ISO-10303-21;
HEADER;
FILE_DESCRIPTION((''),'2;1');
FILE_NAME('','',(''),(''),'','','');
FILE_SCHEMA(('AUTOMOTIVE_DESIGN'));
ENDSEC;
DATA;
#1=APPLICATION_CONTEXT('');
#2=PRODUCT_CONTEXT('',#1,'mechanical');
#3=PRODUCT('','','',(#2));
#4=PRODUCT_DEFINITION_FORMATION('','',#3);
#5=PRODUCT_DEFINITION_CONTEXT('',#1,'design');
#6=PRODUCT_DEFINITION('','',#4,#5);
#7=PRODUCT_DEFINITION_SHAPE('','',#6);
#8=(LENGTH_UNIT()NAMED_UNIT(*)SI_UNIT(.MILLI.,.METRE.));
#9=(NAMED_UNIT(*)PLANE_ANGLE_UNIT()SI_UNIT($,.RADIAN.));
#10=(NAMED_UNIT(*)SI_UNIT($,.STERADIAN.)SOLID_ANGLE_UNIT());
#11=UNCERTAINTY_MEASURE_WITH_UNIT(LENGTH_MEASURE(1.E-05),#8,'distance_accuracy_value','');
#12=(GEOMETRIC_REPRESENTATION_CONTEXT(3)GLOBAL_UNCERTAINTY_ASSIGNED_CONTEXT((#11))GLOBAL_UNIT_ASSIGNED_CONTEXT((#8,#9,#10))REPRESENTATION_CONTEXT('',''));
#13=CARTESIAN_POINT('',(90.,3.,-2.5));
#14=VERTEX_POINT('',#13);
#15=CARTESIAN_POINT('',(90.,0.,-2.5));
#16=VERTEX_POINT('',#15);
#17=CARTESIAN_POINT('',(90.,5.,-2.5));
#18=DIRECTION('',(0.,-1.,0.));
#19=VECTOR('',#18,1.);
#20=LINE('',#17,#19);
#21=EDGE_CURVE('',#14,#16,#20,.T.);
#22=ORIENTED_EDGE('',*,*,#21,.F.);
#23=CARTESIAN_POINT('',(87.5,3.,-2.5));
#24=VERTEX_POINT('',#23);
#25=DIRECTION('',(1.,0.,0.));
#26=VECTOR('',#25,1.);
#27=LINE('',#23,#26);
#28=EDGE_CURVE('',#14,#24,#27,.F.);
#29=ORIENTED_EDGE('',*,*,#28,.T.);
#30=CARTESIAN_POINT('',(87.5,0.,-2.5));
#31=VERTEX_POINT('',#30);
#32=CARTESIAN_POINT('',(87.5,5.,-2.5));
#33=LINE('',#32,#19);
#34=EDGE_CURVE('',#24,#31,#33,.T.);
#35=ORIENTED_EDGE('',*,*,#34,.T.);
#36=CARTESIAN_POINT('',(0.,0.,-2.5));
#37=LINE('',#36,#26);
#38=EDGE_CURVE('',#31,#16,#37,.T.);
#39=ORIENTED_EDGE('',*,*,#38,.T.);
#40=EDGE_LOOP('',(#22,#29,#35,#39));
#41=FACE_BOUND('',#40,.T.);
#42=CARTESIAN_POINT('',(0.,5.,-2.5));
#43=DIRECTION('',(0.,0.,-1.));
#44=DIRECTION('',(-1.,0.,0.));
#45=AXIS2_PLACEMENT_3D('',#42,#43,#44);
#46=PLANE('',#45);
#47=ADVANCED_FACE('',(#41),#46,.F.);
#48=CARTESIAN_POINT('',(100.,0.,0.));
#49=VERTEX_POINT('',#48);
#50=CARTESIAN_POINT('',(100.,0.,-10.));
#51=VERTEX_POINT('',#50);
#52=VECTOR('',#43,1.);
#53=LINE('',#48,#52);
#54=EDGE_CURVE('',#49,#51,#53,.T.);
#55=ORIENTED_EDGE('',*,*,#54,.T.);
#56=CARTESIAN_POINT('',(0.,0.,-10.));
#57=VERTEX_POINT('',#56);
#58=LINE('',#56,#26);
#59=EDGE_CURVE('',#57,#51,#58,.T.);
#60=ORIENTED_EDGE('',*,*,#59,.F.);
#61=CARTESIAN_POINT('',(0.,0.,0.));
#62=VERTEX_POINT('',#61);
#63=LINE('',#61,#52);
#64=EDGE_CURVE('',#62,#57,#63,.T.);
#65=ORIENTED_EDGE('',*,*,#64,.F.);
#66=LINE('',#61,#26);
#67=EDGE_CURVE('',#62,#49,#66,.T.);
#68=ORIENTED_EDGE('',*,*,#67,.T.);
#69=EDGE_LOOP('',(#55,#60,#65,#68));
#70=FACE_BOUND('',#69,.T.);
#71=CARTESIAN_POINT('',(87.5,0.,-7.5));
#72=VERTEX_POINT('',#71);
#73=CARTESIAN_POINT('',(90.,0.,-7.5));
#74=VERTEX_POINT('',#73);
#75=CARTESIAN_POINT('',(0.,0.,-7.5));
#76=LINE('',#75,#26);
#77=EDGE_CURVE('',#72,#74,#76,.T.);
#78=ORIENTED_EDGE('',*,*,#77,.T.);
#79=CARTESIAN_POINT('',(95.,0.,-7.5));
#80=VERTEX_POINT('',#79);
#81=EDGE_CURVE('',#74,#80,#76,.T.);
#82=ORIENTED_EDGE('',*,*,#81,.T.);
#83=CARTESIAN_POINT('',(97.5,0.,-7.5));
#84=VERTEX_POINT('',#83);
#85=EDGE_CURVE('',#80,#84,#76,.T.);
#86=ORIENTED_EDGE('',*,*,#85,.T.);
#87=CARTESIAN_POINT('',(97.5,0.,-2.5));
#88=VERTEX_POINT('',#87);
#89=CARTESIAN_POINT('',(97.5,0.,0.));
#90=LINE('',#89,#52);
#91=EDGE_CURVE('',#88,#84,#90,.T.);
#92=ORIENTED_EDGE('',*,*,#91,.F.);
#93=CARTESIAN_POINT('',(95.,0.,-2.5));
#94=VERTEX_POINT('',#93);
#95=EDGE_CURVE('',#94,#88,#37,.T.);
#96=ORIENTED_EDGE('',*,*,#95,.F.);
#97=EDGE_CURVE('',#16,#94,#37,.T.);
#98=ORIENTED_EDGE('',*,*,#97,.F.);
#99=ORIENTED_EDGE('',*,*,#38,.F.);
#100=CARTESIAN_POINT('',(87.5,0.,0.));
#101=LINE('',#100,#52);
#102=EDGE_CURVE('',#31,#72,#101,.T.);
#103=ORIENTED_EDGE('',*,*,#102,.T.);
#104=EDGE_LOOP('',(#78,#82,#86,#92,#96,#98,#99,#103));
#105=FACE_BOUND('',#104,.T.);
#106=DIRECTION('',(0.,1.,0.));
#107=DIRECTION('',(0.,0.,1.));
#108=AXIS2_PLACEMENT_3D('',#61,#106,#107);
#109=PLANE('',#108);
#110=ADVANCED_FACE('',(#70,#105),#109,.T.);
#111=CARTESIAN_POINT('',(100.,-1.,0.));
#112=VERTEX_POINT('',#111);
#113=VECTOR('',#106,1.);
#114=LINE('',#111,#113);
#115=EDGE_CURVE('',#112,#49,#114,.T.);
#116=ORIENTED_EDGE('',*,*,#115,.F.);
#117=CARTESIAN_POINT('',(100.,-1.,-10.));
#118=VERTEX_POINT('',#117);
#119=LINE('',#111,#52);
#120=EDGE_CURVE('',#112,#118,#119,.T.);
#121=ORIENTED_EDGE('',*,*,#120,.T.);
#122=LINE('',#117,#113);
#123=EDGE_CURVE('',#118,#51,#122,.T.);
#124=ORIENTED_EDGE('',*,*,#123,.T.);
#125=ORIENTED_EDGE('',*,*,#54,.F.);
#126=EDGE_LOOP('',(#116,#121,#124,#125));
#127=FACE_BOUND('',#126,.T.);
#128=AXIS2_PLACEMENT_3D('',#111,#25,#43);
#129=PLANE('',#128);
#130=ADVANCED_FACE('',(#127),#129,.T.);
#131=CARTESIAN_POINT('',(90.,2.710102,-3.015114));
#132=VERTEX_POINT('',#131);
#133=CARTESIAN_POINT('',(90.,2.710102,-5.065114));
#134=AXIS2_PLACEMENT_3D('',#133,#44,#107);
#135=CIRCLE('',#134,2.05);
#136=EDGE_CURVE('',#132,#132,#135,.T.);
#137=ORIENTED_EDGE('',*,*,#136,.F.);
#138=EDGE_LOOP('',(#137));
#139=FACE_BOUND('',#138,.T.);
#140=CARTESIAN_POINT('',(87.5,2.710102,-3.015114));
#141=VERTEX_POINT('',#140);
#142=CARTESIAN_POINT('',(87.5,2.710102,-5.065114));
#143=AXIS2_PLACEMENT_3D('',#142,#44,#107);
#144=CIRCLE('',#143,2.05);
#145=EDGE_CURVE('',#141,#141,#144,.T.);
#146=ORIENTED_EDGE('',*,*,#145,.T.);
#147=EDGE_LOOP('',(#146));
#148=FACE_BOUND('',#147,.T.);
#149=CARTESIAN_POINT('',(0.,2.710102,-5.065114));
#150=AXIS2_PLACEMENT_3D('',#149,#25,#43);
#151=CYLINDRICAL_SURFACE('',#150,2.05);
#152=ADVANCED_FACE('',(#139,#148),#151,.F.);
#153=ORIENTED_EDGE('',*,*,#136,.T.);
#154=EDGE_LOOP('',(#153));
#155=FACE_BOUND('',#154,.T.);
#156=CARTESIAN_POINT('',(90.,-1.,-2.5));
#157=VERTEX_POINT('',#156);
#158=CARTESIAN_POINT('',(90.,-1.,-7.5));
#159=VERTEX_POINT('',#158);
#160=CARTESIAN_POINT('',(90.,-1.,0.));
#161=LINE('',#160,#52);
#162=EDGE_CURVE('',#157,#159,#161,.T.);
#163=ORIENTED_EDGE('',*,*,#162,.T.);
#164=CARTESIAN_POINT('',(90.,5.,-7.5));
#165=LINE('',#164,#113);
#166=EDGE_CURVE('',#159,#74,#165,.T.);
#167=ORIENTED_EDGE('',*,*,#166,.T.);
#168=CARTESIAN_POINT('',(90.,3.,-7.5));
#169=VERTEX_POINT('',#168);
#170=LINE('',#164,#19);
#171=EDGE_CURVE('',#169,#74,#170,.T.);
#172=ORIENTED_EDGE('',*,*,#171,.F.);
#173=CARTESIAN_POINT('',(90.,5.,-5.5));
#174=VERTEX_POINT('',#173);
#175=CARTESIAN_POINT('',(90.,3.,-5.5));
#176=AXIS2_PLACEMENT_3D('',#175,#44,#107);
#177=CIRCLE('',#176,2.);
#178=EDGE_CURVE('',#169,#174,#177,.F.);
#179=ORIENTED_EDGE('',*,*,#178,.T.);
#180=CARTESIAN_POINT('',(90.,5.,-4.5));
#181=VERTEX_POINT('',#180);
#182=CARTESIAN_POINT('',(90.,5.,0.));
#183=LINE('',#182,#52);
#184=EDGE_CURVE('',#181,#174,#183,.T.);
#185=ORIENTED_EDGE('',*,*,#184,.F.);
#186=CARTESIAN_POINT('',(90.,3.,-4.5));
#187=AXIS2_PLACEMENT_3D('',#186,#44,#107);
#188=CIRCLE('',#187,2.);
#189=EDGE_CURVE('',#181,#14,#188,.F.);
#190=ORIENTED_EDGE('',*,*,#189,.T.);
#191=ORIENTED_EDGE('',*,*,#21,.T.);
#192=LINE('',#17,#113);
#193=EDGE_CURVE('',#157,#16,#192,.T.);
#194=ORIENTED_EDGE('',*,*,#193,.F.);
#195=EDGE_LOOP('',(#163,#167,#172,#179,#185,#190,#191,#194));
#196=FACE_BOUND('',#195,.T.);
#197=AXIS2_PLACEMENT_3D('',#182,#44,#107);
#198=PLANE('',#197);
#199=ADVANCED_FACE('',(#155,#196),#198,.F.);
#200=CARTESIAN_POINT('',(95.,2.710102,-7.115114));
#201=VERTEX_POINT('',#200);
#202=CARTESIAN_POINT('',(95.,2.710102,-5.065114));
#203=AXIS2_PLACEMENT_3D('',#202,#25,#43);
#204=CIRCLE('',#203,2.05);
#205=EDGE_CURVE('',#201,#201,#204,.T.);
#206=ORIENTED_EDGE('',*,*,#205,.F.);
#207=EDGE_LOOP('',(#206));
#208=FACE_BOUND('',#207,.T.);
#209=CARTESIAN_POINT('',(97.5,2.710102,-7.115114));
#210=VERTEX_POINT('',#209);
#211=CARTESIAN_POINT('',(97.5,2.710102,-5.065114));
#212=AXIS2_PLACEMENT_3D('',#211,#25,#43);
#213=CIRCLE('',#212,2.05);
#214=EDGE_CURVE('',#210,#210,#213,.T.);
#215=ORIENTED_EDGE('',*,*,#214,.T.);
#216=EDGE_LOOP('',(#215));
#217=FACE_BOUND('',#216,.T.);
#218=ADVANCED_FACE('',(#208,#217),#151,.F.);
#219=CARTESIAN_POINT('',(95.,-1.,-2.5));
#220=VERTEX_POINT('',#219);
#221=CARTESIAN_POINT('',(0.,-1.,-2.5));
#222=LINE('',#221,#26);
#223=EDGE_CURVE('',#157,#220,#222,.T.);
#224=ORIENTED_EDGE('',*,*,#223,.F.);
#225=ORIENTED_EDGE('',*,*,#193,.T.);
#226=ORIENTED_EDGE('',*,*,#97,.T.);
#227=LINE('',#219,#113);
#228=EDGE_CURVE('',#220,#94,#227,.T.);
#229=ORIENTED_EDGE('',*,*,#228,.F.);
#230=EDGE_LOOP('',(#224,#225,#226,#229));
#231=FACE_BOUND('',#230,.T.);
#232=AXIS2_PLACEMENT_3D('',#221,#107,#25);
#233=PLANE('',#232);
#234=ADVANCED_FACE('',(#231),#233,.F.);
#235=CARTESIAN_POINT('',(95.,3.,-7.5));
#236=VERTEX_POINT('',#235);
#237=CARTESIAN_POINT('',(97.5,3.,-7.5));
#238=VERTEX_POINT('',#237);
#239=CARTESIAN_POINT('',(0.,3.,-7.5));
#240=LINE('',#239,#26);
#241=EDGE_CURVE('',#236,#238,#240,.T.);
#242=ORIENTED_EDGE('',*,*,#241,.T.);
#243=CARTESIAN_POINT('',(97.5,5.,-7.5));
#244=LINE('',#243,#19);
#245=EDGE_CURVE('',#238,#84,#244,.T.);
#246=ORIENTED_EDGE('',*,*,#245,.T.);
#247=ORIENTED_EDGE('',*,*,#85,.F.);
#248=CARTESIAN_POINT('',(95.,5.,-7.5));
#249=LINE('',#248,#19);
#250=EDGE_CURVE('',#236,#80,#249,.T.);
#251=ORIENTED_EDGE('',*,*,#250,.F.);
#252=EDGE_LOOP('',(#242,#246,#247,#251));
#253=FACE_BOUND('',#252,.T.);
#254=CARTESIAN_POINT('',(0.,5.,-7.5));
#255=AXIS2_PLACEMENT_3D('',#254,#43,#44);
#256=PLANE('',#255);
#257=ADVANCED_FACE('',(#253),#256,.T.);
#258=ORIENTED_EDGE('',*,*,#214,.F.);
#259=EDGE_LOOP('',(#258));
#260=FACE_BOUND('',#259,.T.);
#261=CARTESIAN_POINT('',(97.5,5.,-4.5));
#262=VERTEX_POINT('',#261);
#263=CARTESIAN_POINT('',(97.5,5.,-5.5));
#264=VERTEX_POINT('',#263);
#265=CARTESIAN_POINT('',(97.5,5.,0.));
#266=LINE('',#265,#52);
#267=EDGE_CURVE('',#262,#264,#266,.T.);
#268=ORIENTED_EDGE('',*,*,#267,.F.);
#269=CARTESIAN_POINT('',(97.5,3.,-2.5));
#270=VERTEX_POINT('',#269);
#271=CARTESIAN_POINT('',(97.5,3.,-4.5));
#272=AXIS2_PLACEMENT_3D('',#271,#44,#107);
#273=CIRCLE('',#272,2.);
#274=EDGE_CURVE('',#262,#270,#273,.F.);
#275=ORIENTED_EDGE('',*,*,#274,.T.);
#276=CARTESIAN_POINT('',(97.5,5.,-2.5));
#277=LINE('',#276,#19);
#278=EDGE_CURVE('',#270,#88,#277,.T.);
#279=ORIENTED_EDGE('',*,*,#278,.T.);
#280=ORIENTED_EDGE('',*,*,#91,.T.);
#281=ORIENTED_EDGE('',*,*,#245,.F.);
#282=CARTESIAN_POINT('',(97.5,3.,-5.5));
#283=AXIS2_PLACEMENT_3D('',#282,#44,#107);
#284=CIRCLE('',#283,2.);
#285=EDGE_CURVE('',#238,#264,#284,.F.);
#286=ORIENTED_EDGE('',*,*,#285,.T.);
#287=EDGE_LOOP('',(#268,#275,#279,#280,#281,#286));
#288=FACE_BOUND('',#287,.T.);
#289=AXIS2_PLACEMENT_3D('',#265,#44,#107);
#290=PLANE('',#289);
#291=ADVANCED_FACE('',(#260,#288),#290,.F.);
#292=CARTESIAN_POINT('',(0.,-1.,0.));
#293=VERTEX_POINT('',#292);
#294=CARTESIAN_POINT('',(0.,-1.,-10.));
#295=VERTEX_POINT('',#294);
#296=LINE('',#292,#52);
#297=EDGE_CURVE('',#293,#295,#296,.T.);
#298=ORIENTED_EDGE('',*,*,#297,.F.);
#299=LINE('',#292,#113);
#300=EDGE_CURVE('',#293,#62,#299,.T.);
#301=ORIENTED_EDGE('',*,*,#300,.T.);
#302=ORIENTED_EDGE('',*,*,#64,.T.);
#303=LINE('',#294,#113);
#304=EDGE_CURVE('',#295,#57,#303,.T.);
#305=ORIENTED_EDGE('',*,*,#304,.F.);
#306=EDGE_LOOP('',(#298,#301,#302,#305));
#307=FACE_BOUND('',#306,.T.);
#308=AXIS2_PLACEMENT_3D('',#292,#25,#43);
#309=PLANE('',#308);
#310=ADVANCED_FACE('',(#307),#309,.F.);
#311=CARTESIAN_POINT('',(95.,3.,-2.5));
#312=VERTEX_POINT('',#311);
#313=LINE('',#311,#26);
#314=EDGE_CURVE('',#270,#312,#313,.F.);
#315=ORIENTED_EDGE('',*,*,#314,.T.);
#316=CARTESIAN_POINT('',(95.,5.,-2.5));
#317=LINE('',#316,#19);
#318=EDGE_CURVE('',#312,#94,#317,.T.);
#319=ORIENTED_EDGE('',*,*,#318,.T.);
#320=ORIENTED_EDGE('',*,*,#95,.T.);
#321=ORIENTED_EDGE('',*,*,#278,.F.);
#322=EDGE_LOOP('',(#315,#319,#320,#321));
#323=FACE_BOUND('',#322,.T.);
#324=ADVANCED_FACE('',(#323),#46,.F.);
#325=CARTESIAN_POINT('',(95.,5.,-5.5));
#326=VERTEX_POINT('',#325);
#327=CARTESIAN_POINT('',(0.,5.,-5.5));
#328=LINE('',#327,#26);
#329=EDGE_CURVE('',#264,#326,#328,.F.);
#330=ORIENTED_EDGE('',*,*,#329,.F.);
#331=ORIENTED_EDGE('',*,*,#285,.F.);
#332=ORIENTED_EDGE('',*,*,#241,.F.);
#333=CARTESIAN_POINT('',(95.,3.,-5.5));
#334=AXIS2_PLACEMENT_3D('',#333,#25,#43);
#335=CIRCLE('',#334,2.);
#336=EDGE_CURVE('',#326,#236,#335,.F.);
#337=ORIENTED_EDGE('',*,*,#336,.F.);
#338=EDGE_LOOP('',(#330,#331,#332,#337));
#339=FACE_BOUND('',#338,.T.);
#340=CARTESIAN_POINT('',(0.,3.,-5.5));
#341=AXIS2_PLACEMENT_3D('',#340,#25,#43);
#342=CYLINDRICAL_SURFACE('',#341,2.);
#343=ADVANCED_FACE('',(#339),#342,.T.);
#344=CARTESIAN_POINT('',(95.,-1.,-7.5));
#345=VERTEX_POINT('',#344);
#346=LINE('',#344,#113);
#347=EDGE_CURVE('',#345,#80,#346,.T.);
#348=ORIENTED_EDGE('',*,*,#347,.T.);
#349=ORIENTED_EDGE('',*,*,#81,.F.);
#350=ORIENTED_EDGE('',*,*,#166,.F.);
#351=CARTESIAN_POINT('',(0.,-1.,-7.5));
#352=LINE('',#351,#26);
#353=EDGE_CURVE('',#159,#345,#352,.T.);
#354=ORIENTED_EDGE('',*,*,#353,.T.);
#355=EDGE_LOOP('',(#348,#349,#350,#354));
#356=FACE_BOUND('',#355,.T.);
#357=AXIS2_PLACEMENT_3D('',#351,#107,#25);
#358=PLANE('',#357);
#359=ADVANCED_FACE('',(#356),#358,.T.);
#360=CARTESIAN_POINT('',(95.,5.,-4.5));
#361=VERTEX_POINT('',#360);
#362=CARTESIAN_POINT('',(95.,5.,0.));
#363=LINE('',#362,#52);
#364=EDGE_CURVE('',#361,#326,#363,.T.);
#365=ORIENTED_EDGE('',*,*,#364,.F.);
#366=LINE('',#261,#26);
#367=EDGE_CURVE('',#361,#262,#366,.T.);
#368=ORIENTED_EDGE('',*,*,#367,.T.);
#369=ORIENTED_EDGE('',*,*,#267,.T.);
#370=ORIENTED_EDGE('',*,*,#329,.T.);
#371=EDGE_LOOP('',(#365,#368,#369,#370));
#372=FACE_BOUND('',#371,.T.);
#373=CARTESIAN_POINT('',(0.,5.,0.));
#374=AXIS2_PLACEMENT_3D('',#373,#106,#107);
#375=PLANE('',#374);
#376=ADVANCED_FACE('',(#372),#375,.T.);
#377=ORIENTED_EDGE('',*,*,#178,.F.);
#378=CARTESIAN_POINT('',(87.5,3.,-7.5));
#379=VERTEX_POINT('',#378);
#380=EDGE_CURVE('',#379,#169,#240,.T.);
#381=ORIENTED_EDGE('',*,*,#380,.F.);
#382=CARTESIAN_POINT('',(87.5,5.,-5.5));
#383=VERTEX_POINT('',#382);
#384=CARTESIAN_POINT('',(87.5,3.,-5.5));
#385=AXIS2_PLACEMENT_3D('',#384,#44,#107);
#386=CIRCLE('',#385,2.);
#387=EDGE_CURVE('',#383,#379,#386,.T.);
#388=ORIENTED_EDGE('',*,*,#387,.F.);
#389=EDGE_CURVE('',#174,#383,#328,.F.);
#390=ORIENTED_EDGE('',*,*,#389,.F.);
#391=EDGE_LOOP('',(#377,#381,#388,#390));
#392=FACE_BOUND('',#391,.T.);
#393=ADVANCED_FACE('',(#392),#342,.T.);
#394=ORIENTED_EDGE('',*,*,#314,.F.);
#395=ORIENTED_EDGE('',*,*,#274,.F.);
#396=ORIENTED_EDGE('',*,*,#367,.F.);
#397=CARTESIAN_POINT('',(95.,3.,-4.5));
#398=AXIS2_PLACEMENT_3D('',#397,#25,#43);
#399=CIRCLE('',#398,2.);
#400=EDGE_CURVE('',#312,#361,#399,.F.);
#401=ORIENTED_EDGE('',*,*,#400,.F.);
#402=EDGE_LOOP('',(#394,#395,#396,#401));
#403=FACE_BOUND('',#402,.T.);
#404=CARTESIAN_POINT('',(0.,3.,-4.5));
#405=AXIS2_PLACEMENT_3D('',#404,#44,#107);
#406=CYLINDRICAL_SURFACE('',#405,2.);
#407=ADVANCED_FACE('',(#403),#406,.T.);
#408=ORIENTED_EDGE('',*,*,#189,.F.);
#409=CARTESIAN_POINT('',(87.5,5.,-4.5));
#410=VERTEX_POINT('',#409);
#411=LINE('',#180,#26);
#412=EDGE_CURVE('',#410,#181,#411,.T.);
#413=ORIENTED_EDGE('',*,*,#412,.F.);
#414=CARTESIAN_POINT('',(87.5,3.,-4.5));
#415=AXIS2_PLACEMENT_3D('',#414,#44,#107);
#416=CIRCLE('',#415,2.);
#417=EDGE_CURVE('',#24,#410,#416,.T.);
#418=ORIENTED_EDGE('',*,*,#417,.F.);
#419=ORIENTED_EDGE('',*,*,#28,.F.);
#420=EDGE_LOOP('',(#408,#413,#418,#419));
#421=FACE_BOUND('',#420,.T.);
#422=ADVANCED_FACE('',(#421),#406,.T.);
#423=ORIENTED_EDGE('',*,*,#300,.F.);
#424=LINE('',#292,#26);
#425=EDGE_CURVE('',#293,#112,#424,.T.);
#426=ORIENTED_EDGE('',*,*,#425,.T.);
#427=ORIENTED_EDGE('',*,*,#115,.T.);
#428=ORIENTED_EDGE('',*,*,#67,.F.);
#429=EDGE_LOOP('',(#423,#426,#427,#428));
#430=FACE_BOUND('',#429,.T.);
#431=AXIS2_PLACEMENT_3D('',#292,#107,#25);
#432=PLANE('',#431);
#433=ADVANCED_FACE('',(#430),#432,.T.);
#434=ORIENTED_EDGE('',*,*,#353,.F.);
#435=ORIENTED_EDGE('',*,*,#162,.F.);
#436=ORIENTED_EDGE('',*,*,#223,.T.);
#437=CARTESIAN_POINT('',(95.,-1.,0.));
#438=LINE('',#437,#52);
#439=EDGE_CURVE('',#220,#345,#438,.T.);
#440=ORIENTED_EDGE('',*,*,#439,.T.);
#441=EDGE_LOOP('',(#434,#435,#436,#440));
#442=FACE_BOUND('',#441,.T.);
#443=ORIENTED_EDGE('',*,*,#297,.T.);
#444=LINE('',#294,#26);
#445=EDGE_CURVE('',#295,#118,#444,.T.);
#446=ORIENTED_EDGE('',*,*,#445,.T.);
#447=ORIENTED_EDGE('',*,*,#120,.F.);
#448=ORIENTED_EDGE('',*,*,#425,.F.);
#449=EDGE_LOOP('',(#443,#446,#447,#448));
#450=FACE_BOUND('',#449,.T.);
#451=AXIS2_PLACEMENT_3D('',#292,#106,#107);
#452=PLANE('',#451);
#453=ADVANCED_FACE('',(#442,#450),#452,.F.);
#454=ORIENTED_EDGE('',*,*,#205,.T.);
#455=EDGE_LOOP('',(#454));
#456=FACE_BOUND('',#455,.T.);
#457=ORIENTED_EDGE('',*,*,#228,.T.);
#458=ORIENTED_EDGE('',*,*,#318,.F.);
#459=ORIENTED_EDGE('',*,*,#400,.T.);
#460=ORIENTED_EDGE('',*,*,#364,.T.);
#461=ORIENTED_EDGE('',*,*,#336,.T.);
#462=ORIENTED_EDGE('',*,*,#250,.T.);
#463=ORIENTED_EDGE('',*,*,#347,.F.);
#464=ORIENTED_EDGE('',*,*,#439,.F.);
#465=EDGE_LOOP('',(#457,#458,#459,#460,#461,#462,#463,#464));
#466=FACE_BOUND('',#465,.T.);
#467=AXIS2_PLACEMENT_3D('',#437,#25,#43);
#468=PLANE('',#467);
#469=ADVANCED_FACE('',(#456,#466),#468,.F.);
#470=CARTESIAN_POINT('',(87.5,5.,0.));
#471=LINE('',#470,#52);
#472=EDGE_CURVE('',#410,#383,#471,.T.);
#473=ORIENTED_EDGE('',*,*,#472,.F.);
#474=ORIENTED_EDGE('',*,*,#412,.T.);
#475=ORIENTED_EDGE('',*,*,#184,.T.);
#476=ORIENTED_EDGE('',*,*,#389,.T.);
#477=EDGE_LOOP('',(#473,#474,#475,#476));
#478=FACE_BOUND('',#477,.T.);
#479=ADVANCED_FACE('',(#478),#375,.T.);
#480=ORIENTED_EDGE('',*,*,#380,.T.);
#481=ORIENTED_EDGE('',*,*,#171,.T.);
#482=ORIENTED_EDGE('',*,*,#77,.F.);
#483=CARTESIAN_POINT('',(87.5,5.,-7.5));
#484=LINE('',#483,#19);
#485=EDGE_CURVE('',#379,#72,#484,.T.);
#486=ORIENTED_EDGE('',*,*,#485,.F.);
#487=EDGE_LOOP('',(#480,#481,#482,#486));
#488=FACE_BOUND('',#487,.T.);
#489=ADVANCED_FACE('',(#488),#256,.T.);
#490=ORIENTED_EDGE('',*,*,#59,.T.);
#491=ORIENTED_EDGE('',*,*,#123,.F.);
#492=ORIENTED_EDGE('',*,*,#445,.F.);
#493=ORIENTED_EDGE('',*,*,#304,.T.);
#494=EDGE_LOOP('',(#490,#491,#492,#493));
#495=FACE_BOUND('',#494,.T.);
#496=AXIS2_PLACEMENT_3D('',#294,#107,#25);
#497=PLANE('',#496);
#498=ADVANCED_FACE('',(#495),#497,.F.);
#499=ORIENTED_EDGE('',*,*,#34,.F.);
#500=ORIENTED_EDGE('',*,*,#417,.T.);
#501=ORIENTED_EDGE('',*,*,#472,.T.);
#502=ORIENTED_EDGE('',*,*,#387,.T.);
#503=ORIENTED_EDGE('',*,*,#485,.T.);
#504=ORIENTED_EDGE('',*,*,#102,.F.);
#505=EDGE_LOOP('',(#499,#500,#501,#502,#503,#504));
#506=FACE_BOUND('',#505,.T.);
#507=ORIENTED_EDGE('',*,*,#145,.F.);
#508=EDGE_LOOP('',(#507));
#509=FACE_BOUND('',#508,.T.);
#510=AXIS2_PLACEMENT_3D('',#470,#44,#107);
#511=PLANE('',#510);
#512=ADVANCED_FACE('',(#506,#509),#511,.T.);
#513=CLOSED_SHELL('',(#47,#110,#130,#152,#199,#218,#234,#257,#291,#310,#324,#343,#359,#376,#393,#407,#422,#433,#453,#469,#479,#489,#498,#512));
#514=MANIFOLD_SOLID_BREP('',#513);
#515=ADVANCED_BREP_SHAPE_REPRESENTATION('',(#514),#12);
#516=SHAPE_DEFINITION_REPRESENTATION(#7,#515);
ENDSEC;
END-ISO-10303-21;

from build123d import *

# Parameters (mm, degrees)
SKETCH1_W             = 2.5
SKETCH1_H             = 5
BOSS_EXTRUDE1_DEPTH   = 5
BOSS_EXTRUDE1_2_DEPTH = 5
SKETCH1_3_W           = 100
SKETCH1_3_H           = 10
BOSS_EXTRUDE2_DEPTH   = 1
SKETCH1_4_W           = 2.5
SKETCH1_4_H           = 5
BOSS_EXTRUDE3_DEPTH   = 1
SKETCH2_R             = 2.05
CUT_EXTRUDE1_DEPTH    = 99.138932132
FILLET1_R             = 2


with BuildPart() as part:
    # Sketch1 → Boss-Extrude1 (new body)
    with BuildSketch(Plane(origin=(0, 0, 0), x_dir=(1, 0, 0), z_dir=(0, 1, 0))):
        with Locations((88.75, 5)):
            Rectangle(SKETCH1_W, SKETCH1_H)
    extrude(amount=BOSS_EXTRUDE1_DEPTH)



with BuildPart() as body_2:
    # Sketch1 → Boss-Extrude1 2 (new body)
    with BuildSketch(Plane(origin=(0, 0, 0), x_dir=(1, 0, 0), z_dir=(0, 1, 0))):
        with Locations((96.25, 5)):
            Rectangle(SKETCH1_W, SKETCH1_H)
    extrude(amount=BOSS_EXTRUDE1_2_DEPTH)


with BuildPart() as body_3:
    # Sketch1<3> → Boss-Extrude2 (new body)
    with BuildSketch(Plane(origin=(0, 0, 0), x_dir=(1, 0, 0), z_dir=(0, 1, 0))):
        with Locations((50, 5)):
            Rectangle(SKETCH1_3_W, SKETCH1_3_H)
        Polygon((90, 2.5), (87.5, 2.5), (87.5, 7.5), (90, 7.5), (95, 7.5), (97.5, 7.5), (97.5, 2.5), (95, 2.5), align=None, mode=Mode.SUBTRACT)
    extrude(amount=-BOSS_EXTRUDE2_DEPTH)


with BuildPart() as part_1:
    add(part.part)

    add(body_2.part)  # Boss-Extrude3 merges body 2

    add(body_3.part)  # Boss-Extrude3 merges body 3
    # Sketch1<4> → Boss-Extrude3 (add)
    with BuildSketch(Plane(origin=(0, 0, 0), x_dir=(1, 0, 0), z_dir=(0, 1, 0))):
        with Locations((88.75, 5)):
            Rectangle(SKETCH1_4_W, SKETCH1_4_H)
        with Locations((96.25, 5)):
            Rectangle(SKETCH1_4_W, SKETCH1_4_H)
    extrude(amount=-BOSS_EXTRUDE3_DEPTH)

    # Sketch2 → Cut-Extrude1 (cut, through all)
    with BuildSketch(Plane(origin=(97.5, 0, 0), x_dir=(0, 0, -1), z_dir=(1, 0, 0))):
        with Locations((5.065113553, 2.710102322)):
            Circle(SKETCH2_R)
    extrude(amount=-CUT_EXTRUDE1_DEPTH, mode=Mode.SUBTRACT)

    # Fillet1
    fillet1_edges = [part_1.edges().sort_by_distance(p)[0] for p in [
        (96.25, 5, -7.5),
        (88.75, 5, -7.5),
        (96.25, 5, -2.5),
        (88.75, 5, -2.5),
    ]]
    fillet(fillet1_edges, radius=FILLET1_R)


solid = part_1.part
